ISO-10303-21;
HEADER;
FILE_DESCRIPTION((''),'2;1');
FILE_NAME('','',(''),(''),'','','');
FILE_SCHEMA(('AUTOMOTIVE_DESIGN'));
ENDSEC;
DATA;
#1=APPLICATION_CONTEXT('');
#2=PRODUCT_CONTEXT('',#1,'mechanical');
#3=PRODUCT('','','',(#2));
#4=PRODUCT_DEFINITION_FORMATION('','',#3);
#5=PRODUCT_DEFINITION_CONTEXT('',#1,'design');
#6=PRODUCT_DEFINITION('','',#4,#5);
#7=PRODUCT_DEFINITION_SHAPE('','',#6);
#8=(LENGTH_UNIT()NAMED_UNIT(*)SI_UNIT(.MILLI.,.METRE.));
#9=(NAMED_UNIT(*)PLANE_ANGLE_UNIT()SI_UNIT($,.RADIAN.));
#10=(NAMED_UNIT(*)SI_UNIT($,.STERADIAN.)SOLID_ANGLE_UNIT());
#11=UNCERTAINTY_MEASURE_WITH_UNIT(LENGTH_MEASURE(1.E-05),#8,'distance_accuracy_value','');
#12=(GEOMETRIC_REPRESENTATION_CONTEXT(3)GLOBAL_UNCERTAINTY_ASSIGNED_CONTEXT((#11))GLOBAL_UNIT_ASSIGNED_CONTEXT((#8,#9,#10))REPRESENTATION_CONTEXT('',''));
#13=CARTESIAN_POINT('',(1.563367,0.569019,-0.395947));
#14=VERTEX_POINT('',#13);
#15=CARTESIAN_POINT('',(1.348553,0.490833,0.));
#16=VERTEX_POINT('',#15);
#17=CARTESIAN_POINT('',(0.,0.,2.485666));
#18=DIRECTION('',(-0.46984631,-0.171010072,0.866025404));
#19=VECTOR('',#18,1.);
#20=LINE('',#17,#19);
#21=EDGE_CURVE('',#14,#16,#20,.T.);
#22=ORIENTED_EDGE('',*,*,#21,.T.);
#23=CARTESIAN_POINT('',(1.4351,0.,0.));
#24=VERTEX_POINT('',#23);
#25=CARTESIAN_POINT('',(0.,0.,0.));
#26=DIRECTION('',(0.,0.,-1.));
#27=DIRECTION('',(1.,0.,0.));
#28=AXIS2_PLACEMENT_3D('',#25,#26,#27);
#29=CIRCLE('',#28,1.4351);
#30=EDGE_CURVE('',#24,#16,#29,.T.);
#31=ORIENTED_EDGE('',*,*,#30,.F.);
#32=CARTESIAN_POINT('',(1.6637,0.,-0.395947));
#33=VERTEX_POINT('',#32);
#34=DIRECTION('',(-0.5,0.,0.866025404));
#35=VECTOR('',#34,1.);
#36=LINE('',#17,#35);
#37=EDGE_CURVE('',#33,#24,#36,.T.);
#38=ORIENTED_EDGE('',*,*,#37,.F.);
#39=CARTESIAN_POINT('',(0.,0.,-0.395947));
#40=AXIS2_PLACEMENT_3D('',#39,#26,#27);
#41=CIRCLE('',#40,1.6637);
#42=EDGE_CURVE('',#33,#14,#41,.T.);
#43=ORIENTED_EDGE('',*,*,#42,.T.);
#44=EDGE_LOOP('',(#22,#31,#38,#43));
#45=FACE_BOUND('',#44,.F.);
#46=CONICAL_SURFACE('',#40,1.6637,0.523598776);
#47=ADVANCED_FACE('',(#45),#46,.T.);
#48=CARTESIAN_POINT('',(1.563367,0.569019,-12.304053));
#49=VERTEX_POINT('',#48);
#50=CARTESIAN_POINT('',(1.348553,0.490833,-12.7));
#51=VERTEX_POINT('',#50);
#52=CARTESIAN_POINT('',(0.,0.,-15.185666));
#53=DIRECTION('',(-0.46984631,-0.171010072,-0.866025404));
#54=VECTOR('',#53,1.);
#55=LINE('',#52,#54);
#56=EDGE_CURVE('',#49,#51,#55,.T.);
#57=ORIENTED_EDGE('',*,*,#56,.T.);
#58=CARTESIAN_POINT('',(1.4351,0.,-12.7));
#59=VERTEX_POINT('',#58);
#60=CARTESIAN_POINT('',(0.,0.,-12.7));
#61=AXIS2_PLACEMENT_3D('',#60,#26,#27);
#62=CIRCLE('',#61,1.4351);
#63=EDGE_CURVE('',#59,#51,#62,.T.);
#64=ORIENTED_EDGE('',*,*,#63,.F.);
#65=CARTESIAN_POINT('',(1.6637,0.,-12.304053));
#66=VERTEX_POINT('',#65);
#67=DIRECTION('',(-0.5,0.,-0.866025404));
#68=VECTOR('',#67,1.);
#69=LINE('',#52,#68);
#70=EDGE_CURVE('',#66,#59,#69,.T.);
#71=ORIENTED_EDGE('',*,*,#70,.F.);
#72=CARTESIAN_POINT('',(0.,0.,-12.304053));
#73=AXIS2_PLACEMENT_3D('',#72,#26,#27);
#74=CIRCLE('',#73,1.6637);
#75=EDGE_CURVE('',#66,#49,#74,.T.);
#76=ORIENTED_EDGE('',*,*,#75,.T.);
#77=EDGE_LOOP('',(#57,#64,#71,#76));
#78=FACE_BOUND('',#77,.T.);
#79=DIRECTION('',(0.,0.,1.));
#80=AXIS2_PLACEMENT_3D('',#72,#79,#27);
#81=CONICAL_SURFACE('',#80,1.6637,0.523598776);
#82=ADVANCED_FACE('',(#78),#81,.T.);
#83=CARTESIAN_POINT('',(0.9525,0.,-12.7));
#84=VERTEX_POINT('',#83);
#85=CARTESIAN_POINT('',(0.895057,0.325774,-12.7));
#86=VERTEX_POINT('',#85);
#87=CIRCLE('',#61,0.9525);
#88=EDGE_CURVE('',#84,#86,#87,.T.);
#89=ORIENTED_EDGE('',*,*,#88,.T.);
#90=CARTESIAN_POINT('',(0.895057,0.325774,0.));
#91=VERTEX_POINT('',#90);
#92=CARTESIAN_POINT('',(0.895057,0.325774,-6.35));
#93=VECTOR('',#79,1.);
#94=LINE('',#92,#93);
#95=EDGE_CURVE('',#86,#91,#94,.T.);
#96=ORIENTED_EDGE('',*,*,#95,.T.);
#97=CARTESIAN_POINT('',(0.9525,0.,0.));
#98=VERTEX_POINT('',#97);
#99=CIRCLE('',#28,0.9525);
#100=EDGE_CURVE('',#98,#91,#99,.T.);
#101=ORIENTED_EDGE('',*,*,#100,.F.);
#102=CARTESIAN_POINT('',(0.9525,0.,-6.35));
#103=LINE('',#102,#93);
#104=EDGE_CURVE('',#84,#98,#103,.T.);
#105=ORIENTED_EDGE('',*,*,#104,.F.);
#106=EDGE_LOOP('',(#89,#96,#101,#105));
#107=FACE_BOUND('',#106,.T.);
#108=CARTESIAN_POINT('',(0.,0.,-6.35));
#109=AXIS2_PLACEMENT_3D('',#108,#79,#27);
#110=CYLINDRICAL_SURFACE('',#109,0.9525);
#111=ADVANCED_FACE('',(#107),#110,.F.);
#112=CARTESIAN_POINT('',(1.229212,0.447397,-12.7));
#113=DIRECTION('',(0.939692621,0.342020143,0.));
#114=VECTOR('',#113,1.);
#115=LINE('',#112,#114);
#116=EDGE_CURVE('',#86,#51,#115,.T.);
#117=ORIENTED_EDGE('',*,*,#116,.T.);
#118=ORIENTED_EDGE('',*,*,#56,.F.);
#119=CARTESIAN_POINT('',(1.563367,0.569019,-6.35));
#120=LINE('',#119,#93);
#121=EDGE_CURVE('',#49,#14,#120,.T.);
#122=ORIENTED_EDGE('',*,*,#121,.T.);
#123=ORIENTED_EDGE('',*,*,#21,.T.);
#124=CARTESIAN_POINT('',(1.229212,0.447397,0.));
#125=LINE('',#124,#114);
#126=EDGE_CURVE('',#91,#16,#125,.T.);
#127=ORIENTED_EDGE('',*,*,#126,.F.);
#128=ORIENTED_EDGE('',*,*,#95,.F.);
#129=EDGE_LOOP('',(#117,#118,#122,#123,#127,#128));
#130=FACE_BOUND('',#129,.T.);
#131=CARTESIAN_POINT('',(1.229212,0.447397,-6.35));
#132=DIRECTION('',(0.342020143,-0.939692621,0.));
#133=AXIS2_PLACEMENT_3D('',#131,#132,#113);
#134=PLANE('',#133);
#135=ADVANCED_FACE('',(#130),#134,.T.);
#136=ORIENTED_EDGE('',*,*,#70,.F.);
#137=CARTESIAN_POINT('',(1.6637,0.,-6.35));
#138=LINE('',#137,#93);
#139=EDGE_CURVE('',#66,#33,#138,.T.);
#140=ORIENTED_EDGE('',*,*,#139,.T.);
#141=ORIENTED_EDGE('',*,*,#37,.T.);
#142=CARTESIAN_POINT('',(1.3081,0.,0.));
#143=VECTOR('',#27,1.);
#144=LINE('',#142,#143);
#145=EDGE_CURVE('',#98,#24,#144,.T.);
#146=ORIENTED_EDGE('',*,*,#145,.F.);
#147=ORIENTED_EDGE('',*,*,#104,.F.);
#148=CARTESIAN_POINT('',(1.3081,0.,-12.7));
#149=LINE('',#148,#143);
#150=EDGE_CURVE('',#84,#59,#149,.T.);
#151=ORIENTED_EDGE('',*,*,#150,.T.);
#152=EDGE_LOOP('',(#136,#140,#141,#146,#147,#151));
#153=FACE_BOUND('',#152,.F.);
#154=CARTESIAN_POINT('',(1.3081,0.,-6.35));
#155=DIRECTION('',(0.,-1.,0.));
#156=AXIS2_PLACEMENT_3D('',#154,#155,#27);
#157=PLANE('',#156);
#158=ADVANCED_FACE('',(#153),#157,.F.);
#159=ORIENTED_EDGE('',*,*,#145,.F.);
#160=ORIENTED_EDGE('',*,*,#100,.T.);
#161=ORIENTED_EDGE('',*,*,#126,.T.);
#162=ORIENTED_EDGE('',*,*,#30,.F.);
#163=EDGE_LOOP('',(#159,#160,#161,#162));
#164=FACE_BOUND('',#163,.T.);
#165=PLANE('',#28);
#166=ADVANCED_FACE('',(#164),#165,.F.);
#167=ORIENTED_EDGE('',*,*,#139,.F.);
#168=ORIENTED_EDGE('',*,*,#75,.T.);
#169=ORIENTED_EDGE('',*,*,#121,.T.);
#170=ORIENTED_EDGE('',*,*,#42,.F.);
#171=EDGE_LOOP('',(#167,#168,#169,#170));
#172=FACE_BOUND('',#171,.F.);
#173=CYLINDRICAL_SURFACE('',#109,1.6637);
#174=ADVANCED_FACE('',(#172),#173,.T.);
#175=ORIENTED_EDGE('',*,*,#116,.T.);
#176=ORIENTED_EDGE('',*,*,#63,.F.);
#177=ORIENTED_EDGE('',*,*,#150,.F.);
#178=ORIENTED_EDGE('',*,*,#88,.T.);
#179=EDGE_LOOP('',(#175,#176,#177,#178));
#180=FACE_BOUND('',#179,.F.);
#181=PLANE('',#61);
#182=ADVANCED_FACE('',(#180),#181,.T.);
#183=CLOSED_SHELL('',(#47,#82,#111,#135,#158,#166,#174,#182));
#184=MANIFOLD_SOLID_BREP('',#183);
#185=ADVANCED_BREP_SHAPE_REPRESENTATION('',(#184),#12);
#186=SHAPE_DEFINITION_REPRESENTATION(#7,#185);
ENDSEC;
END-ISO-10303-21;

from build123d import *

# Parameters (mm, degrees)
F0_W     = 0.7112
F0_H     = 12.7
F2_ANGLE = 340
F3_SIZE2 = 0.2286
F3_SIZE  = 0.3959468146


with BuildPart() as f2:
    # F0 (on Front) → F2 (revolve)
    with BuildSketch(Plane.XZ):
        with Locations((1.3081, -6.35)):
            Rectangle(F0_W, F0_H)
    revolve(axis=Axis((0, 0, -8.318349719), (0, 0, -1)), revolution_arc=F2_ANGLE)

    # F3
    f3_edges = [f2.edges().sort_by_distance(p)[0] for p in [
        (-1.638425, -0.288898, 0),
        (-1.638425, -0.288898, -12.7),
    ]]
    f3_side = f2.faces().sort_by_distance((-1.638425, -0.288898, -6.35))[0]
    chamfer(f3_edges, length=F3_SIZE, length2=F3_SIZE2, reference=f3_side)


solid = f2.part
